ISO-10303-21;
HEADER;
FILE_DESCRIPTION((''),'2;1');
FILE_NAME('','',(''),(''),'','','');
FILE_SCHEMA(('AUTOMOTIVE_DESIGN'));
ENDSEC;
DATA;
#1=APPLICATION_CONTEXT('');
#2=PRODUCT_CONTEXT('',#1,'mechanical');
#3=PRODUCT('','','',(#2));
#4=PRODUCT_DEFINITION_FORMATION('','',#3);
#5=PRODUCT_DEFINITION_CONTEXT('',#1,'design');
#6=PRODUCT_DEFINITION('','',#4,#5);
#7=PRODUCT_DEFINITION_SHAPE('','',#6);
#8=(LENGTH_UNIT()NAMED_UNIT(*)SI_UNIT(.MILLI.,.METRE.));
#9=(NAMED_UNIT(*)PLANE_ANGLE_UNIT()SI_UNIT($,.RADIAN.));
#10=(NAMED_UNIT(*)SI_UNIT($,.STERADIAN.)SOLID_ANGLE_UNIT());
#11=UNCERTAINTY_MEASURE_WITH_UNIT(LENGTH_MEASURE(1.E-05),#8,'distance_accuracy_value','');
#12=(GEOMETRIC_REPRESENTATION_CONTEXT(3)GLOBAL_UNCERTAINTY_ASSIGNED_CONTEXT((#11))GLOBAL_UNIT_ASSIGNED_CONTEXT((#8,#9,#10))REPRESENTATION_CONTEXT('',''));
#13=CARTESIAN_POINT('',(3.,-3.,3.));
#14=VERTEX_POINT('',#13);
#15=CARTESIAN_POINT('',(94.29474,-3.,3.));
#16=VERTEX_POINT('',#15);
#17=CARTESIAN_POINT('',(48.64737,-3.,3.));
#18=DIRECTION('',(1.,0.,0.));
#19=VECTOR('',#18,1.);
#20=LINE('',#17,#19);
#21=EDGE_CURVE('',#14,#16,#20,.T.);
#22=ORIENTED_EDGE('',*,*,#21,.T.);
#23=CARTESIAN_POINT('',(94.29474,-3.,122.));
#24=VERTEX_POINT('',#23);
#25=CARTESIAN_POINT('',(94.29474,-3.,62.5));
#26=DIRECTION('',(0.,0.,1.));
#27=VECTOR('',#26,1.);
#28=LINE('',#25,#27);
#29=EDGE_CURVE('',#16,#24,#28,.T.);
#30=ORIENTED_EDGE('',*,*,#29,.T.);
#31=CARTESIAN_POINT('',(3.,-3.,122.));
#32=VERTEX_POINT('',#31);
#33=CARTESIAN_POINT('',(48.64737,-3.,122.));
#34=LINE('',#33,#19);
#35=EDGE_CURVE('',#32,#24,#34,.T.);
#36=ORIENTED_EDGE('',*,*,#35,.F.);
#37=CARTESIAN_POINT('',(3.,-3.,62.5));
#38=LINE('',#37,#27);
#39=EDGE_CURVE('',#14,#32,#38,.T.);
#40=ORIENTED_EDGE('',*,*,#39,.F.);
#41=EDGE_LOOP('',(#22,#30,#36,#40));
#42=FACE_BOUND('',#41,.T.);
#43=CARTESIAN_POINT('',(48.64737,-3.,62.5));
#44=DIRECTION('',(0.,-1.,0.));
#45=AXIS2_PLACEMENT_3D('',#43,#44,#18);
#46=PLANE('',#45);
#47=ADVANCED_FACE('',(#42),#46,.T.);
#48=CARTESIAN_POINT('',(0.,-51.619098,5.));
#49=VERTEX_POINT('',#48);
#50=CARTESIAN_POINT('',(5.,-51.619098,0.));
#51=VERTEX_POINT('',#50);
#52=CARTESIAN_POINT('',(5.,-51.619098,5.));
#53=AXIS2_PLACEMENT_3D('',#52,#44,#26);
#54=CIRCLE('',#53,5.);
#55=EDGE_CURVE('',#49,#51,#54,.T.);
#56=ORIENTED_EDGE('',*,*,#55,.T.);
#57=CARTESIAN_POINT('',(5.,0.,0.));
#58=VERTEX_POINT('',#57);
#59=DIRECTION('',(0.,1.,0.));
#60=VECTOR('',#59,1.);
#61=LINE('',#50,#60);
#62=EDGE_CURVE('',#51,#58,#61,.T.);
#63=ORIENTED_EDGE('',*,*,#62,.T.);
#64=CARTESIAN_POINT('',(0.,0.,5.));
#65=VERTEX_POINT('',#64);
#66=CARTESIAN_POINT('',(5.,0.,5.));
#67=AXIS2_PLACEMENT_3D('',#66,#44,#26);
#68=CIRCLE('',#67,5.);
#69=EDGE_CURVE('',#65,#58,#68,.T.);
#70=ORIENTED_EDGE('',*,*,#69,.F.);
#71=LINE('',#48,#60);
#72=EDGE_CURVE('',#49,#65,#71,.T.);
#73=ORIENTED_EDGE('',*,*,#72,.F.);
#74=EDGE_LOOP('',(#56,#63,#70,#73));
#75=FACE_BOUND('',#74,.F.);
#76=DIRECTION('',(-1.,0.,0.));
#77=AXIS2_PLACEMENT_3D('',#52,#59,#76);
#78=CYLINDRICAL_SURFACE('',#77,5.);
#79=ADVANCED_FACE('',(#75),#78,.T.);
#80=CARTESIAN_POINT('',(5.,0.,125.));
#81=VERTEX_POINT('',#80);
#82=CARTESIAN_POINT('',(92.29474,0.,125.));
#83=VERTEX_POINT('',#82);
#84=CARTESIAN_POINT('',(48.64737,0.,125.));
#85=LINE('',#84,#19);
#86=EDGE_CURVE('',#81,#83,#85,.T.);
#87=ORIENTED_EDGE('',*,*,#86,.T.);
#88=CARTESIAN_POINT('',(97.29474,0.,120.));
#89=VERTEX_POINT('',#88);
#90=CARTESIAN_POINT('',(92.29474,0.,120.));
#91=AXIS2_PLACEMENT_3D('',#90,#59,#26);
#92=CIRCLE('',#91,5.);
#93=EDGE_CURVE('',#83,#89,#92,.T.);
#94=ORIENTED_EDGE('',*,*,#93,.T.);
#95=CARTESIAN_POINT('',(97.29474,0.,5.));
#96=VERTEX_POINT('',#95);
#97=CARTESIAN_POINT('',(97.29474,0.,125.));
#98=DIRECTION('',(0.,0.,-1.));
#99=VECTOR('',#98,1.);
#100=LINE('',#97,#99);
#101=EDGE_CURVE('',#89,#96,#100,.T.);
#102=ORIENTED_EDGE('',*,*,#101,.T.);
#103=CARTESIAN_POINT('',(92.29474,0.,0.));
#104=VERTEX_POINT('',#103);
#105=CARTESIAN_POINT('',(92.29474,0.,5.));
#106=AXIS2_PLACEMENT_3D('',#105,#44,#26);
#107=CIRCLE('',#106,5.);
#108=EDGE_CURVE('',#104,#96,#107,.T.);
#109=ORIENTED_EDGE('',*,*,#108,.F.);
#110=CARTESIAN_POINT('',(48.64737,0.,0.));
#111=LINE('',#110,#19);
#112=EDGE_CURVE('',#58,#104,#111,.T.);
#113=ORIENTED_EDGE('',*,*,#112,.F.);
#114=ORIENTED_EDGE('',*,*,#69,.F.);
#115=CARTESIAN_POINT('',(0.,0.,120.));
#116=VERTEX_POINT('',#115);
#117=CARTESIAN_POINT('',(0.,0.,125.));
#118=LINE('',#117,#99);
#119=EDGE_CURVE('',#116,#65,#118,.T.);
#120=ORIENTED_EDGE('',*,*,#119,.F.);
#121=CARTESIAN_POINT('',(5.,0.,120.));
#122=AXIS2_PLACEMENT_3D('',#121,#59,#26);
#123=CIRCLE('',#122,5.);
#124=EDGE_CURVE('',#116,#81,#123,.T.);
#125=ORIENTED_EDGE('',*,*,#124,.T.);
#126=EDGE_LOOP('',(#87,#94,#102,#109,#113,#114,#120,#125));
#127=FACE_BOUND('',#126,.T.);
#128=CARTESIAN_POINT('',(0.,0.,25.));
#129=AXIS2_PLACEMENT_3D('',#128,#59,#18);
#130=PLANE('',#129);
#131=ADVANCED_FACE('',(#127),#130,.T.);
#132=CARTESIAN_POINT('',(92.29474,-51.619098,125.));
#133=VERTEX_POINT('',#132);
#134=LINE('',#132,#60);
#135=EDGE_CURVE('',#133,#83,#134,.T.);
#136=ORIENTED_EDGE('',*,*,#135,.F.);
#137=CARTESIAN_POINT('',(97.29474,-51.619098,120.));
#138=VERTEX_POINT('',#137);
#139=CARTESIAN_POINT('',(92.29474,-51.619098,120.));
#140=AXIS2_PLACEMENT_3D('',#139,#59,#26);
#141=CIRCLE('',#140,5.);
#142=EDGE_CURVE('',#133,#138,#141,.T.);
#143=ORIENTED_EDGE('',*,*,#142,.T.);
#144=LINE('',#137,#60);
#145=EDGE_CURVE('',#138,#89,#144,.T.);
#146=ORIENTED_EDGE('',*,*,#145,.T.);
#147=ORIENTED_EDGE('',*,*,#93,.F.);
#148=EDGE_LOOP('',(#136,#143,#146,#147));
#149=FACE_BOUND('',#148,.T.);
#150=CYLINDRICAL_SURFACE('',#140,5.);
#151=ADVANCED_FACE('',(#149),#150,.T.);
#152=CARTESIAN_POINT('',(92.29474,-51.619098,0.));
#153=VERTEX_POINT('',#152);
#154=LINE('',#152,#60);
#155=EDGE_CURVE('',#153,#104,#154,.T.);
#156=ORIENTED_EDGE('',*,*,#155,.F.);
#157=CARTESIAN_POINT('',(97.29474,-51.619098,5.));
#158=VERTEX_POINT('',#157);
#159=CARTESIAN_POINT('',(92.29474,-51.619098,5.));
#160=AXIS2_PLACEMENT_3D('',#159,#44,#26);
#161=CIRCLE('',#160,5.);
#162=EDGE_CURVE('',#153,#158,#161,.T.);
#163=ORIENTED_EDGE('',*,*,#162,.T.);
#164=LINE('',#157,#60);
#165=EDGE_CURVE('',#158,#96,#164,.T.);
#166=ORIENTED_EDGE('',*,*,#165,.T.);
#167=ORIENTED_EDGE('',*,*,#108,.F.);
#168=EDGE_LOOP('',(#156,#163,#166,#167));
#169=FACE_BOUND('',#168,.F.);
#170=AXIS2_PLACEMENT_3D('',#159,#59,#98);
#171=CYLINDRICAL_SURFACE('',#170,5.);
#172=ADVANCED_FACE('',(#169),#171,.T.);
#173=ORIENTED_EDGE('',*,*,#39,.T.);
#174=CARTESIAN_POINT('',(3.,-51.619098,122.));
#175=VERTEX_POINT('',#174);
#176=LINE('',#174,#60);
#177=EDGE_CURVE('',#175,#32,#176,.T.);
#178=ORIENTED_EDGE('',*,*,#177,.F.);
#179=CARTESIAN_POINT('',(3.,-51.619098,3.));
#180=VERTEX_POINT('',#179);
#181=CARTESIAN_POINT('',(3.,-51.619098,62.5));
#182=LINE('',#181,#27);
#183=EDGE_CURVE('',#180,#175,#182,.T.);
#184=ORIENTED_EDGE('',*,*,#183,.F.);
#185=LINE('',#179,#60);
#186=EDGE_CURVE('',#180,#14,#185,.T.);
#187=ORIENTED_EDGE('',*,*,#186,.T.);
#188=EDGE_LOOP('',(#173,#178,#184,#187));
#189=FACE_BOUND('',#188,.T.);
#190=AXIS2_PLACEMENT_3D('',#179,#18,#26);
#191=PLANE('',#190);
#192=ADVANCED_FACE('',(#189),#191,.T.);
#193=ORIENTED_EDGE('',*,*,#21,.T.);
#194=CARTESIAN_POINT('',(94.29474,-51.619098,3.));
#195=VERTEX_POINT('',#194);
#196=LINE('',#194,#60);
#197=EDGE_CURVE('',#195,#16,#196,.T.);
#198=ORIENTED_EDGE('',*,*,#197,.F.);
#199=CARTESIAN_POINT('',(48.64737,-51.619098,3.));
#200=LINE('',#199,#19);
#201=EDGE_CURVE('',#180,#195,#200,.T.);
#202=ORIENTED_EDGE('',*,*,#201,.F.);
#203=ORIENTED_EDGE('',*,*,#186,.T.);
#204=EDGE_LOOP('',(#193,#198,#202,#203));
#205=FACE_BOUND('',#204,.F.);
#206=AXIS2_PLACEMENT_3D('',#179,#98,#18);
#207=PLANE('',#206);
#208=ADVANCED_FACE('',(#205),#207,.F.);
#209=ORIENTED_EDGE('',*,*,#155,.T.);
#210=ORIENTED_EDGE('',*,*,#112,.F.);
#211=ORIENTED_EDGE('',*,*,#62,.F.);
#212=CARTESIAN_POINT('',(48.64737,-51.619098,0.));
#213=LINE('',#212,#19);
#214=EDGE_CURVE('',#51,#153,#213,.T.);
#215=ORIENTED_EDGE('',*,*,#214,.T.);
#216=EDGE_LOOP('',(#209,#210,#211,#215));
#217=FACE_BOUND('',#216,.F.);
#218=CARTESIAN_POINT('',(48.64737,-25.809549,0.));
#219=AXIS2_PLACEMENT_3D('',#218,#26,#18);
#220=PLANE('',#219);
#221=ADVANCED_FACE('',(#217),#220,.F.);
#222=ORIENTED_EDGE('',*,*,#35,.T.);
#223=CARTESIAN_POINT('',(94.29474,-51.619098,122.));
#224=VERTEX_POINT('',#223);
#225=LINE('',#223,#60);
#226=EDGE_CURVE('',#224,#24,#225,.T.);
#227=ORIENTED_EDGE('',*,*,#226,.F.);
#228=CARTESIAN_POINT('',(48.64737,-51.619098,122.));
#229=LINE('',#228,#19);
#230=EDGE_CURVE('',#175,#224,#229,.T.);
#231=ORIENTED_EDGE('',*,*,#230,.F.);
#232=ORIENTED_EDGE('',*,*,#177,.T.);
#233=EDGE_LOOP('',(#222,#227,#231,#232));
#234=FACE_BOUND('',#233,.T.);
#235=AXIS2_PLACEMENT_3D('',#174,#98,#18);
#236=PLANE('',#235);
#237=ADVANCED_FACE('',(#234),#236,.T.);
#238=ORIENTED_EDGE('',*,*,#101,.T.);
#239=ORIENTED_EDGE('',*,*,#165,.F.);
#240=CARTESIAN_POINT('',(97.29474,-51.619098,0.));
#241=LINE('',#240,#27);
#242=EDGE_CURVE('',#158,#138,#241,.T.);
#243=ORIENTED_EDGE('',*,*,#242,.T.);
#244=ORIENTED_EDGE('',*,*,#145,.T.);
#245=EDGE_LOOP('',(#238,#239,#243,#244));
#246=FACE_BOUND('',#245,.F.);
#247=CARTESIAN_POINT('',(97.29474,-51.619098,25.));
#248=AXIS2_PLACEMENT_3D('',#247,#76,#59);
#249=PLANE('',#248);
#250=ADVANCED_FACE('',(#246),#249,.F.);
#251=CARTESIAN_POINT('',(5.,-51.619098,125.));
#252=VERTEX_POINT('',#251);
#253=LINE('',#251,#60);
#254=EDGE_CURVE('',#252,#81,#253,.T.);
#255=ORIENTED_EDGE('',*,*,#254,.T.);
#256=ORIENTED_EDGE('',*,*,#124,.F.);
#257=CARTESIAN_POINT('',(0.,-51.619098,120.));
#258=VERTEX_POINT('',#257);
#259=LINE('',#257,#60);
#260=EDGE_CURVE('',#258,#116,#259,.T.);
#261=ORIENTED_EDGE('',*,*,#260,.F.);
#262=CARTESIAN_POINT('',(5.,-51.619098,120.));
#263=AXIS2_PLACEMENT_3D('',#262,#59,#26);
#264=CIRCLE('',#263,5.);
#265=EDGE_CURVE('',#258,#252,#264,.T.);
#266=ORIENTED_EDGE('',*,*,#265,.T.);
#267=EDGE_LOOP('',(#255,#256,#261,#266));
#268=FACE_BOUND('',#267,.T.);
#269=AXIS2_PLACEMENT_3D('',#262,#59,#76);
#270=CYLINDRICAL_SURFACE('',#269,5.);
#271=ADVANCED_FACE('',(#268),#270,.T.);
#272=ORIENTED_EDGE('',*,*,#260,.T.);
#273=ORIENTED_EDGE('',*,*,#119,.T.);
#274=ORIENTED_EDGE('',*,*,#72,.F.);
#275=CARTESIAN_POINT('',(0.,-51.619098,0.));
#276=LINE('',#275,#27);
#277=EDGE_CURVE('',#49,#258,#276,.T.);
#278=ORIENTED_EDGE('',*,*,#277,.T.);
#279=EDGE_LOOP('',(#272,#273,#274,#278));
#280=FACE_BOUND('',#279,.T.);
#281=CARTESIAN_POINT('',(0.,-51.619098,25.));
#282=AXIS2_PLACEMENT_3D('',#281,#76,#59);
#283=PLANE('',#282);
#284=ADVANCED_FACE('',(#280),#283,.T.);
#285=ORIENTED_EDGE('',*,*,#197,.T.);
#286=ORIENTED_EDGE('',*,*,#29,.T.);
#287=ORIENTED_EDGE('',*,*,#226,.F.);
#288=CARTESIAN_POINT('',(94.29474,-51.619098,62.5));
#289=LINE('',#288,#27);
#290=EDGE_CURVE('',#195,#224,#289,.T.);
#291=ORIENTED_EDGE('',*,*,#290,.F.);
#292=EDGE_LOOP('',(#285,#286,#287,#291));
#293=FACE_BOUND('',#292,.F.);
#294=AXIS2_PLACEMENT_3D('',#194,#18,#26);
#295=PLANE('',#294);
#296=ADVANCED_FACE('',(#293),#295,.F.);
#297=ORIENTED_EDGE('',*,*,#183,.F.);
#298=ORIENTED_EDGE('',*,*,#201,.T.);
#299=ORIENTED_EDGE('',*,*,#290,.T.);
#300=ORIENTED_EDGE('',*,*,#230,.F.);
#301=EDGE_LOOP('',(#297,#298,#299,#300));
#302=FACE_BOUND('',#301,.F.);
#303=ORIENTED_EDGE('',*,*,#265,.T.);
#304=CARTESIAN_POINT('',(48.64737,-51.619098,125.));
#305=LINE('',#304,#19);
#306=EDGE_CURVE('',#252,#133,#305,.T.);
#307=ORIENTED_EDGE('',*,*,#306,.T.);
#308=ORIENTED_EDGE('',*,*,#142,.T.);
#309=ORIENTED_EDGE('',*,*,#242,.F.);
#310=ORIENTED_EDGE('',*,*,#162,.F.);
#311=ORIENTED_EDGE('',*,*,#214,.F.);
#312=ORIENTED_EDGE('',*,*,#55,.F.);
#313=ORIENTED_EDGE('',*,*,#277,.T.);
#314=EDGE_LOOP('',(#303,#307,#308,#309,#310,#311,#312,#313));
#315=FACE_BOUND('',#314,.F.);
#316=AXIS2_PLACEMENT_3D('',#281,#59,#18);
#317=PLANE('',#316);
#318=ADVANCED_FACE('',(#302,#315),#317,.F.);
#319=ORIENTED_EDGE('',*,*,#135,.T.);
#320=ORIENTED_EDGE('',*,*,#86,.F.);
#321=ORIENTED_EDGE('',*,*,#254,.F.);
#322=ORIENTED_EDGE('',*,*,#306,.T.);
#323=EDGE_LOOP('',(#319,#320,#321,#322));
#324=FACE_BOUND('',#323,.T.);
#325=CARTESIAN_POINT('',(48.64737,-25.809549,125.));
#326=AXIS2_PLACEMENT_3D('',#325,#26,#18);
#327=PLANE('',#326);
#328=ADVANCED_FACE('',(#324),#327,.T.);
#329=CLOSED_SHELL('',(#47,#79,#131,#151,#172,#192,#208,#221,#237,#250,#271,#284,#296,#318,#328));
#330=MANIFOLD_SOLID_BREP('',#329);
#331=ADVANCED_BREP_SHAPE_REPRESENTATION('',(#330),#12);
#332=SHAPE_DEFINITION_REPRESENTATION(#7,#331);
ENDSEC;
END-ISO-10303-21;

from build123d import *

# Parameters (mm, degrees)
F0_W     = 97.2947403789
F0_H     = 51.6190975904
F1_DEPTH = 25
F2_DEPTH = 100
F3_W     = 91.2947403789
F3_H     = 119
F4_DEPTH = 48.6190975904
F5_R     = 5


with BuildPart() as f1:
    # F0 (on Top) → F1 (new body)
    with BuildSketch(Plane.XY):
        with Locations((48.6473701894, -25.8095487952)):
            Rectangle(F0_W, F0_H)
    extrude(amount=F1_DEPTH)

    # F2 (add): a face of the model
    f2_faces = [f1.faces().sort_by_distance(p)[0] for p in [
        (48.6473701894, -25.8095487952, 25),
    ]]
    extrude(f2_faces, amount=F2_DEPTH)

    # F3 (on face) → F4 (cut, through all)
    with BuildSketch(Plane.XZ.offset(51.6190975904)):
        with Locations((48.6473701894, 62.5)):
            Rectangle(F3_W, F3_H)
    extrude(amount=-F4_DEPTH, mode=Mode.SUBTRACT)

    # F5
    f5_edges = [f1.edges().sort_by_distance(p)[0] for p in [
        (97.29474, -25.809549, 125),
        (0, -25.809549, 125),
        (0, -25.809549, 0),
        (97.29474, -25.809549, 0),
    ]]
    fillet(f5_edges, radius=F5_R)


solid = f1.part
